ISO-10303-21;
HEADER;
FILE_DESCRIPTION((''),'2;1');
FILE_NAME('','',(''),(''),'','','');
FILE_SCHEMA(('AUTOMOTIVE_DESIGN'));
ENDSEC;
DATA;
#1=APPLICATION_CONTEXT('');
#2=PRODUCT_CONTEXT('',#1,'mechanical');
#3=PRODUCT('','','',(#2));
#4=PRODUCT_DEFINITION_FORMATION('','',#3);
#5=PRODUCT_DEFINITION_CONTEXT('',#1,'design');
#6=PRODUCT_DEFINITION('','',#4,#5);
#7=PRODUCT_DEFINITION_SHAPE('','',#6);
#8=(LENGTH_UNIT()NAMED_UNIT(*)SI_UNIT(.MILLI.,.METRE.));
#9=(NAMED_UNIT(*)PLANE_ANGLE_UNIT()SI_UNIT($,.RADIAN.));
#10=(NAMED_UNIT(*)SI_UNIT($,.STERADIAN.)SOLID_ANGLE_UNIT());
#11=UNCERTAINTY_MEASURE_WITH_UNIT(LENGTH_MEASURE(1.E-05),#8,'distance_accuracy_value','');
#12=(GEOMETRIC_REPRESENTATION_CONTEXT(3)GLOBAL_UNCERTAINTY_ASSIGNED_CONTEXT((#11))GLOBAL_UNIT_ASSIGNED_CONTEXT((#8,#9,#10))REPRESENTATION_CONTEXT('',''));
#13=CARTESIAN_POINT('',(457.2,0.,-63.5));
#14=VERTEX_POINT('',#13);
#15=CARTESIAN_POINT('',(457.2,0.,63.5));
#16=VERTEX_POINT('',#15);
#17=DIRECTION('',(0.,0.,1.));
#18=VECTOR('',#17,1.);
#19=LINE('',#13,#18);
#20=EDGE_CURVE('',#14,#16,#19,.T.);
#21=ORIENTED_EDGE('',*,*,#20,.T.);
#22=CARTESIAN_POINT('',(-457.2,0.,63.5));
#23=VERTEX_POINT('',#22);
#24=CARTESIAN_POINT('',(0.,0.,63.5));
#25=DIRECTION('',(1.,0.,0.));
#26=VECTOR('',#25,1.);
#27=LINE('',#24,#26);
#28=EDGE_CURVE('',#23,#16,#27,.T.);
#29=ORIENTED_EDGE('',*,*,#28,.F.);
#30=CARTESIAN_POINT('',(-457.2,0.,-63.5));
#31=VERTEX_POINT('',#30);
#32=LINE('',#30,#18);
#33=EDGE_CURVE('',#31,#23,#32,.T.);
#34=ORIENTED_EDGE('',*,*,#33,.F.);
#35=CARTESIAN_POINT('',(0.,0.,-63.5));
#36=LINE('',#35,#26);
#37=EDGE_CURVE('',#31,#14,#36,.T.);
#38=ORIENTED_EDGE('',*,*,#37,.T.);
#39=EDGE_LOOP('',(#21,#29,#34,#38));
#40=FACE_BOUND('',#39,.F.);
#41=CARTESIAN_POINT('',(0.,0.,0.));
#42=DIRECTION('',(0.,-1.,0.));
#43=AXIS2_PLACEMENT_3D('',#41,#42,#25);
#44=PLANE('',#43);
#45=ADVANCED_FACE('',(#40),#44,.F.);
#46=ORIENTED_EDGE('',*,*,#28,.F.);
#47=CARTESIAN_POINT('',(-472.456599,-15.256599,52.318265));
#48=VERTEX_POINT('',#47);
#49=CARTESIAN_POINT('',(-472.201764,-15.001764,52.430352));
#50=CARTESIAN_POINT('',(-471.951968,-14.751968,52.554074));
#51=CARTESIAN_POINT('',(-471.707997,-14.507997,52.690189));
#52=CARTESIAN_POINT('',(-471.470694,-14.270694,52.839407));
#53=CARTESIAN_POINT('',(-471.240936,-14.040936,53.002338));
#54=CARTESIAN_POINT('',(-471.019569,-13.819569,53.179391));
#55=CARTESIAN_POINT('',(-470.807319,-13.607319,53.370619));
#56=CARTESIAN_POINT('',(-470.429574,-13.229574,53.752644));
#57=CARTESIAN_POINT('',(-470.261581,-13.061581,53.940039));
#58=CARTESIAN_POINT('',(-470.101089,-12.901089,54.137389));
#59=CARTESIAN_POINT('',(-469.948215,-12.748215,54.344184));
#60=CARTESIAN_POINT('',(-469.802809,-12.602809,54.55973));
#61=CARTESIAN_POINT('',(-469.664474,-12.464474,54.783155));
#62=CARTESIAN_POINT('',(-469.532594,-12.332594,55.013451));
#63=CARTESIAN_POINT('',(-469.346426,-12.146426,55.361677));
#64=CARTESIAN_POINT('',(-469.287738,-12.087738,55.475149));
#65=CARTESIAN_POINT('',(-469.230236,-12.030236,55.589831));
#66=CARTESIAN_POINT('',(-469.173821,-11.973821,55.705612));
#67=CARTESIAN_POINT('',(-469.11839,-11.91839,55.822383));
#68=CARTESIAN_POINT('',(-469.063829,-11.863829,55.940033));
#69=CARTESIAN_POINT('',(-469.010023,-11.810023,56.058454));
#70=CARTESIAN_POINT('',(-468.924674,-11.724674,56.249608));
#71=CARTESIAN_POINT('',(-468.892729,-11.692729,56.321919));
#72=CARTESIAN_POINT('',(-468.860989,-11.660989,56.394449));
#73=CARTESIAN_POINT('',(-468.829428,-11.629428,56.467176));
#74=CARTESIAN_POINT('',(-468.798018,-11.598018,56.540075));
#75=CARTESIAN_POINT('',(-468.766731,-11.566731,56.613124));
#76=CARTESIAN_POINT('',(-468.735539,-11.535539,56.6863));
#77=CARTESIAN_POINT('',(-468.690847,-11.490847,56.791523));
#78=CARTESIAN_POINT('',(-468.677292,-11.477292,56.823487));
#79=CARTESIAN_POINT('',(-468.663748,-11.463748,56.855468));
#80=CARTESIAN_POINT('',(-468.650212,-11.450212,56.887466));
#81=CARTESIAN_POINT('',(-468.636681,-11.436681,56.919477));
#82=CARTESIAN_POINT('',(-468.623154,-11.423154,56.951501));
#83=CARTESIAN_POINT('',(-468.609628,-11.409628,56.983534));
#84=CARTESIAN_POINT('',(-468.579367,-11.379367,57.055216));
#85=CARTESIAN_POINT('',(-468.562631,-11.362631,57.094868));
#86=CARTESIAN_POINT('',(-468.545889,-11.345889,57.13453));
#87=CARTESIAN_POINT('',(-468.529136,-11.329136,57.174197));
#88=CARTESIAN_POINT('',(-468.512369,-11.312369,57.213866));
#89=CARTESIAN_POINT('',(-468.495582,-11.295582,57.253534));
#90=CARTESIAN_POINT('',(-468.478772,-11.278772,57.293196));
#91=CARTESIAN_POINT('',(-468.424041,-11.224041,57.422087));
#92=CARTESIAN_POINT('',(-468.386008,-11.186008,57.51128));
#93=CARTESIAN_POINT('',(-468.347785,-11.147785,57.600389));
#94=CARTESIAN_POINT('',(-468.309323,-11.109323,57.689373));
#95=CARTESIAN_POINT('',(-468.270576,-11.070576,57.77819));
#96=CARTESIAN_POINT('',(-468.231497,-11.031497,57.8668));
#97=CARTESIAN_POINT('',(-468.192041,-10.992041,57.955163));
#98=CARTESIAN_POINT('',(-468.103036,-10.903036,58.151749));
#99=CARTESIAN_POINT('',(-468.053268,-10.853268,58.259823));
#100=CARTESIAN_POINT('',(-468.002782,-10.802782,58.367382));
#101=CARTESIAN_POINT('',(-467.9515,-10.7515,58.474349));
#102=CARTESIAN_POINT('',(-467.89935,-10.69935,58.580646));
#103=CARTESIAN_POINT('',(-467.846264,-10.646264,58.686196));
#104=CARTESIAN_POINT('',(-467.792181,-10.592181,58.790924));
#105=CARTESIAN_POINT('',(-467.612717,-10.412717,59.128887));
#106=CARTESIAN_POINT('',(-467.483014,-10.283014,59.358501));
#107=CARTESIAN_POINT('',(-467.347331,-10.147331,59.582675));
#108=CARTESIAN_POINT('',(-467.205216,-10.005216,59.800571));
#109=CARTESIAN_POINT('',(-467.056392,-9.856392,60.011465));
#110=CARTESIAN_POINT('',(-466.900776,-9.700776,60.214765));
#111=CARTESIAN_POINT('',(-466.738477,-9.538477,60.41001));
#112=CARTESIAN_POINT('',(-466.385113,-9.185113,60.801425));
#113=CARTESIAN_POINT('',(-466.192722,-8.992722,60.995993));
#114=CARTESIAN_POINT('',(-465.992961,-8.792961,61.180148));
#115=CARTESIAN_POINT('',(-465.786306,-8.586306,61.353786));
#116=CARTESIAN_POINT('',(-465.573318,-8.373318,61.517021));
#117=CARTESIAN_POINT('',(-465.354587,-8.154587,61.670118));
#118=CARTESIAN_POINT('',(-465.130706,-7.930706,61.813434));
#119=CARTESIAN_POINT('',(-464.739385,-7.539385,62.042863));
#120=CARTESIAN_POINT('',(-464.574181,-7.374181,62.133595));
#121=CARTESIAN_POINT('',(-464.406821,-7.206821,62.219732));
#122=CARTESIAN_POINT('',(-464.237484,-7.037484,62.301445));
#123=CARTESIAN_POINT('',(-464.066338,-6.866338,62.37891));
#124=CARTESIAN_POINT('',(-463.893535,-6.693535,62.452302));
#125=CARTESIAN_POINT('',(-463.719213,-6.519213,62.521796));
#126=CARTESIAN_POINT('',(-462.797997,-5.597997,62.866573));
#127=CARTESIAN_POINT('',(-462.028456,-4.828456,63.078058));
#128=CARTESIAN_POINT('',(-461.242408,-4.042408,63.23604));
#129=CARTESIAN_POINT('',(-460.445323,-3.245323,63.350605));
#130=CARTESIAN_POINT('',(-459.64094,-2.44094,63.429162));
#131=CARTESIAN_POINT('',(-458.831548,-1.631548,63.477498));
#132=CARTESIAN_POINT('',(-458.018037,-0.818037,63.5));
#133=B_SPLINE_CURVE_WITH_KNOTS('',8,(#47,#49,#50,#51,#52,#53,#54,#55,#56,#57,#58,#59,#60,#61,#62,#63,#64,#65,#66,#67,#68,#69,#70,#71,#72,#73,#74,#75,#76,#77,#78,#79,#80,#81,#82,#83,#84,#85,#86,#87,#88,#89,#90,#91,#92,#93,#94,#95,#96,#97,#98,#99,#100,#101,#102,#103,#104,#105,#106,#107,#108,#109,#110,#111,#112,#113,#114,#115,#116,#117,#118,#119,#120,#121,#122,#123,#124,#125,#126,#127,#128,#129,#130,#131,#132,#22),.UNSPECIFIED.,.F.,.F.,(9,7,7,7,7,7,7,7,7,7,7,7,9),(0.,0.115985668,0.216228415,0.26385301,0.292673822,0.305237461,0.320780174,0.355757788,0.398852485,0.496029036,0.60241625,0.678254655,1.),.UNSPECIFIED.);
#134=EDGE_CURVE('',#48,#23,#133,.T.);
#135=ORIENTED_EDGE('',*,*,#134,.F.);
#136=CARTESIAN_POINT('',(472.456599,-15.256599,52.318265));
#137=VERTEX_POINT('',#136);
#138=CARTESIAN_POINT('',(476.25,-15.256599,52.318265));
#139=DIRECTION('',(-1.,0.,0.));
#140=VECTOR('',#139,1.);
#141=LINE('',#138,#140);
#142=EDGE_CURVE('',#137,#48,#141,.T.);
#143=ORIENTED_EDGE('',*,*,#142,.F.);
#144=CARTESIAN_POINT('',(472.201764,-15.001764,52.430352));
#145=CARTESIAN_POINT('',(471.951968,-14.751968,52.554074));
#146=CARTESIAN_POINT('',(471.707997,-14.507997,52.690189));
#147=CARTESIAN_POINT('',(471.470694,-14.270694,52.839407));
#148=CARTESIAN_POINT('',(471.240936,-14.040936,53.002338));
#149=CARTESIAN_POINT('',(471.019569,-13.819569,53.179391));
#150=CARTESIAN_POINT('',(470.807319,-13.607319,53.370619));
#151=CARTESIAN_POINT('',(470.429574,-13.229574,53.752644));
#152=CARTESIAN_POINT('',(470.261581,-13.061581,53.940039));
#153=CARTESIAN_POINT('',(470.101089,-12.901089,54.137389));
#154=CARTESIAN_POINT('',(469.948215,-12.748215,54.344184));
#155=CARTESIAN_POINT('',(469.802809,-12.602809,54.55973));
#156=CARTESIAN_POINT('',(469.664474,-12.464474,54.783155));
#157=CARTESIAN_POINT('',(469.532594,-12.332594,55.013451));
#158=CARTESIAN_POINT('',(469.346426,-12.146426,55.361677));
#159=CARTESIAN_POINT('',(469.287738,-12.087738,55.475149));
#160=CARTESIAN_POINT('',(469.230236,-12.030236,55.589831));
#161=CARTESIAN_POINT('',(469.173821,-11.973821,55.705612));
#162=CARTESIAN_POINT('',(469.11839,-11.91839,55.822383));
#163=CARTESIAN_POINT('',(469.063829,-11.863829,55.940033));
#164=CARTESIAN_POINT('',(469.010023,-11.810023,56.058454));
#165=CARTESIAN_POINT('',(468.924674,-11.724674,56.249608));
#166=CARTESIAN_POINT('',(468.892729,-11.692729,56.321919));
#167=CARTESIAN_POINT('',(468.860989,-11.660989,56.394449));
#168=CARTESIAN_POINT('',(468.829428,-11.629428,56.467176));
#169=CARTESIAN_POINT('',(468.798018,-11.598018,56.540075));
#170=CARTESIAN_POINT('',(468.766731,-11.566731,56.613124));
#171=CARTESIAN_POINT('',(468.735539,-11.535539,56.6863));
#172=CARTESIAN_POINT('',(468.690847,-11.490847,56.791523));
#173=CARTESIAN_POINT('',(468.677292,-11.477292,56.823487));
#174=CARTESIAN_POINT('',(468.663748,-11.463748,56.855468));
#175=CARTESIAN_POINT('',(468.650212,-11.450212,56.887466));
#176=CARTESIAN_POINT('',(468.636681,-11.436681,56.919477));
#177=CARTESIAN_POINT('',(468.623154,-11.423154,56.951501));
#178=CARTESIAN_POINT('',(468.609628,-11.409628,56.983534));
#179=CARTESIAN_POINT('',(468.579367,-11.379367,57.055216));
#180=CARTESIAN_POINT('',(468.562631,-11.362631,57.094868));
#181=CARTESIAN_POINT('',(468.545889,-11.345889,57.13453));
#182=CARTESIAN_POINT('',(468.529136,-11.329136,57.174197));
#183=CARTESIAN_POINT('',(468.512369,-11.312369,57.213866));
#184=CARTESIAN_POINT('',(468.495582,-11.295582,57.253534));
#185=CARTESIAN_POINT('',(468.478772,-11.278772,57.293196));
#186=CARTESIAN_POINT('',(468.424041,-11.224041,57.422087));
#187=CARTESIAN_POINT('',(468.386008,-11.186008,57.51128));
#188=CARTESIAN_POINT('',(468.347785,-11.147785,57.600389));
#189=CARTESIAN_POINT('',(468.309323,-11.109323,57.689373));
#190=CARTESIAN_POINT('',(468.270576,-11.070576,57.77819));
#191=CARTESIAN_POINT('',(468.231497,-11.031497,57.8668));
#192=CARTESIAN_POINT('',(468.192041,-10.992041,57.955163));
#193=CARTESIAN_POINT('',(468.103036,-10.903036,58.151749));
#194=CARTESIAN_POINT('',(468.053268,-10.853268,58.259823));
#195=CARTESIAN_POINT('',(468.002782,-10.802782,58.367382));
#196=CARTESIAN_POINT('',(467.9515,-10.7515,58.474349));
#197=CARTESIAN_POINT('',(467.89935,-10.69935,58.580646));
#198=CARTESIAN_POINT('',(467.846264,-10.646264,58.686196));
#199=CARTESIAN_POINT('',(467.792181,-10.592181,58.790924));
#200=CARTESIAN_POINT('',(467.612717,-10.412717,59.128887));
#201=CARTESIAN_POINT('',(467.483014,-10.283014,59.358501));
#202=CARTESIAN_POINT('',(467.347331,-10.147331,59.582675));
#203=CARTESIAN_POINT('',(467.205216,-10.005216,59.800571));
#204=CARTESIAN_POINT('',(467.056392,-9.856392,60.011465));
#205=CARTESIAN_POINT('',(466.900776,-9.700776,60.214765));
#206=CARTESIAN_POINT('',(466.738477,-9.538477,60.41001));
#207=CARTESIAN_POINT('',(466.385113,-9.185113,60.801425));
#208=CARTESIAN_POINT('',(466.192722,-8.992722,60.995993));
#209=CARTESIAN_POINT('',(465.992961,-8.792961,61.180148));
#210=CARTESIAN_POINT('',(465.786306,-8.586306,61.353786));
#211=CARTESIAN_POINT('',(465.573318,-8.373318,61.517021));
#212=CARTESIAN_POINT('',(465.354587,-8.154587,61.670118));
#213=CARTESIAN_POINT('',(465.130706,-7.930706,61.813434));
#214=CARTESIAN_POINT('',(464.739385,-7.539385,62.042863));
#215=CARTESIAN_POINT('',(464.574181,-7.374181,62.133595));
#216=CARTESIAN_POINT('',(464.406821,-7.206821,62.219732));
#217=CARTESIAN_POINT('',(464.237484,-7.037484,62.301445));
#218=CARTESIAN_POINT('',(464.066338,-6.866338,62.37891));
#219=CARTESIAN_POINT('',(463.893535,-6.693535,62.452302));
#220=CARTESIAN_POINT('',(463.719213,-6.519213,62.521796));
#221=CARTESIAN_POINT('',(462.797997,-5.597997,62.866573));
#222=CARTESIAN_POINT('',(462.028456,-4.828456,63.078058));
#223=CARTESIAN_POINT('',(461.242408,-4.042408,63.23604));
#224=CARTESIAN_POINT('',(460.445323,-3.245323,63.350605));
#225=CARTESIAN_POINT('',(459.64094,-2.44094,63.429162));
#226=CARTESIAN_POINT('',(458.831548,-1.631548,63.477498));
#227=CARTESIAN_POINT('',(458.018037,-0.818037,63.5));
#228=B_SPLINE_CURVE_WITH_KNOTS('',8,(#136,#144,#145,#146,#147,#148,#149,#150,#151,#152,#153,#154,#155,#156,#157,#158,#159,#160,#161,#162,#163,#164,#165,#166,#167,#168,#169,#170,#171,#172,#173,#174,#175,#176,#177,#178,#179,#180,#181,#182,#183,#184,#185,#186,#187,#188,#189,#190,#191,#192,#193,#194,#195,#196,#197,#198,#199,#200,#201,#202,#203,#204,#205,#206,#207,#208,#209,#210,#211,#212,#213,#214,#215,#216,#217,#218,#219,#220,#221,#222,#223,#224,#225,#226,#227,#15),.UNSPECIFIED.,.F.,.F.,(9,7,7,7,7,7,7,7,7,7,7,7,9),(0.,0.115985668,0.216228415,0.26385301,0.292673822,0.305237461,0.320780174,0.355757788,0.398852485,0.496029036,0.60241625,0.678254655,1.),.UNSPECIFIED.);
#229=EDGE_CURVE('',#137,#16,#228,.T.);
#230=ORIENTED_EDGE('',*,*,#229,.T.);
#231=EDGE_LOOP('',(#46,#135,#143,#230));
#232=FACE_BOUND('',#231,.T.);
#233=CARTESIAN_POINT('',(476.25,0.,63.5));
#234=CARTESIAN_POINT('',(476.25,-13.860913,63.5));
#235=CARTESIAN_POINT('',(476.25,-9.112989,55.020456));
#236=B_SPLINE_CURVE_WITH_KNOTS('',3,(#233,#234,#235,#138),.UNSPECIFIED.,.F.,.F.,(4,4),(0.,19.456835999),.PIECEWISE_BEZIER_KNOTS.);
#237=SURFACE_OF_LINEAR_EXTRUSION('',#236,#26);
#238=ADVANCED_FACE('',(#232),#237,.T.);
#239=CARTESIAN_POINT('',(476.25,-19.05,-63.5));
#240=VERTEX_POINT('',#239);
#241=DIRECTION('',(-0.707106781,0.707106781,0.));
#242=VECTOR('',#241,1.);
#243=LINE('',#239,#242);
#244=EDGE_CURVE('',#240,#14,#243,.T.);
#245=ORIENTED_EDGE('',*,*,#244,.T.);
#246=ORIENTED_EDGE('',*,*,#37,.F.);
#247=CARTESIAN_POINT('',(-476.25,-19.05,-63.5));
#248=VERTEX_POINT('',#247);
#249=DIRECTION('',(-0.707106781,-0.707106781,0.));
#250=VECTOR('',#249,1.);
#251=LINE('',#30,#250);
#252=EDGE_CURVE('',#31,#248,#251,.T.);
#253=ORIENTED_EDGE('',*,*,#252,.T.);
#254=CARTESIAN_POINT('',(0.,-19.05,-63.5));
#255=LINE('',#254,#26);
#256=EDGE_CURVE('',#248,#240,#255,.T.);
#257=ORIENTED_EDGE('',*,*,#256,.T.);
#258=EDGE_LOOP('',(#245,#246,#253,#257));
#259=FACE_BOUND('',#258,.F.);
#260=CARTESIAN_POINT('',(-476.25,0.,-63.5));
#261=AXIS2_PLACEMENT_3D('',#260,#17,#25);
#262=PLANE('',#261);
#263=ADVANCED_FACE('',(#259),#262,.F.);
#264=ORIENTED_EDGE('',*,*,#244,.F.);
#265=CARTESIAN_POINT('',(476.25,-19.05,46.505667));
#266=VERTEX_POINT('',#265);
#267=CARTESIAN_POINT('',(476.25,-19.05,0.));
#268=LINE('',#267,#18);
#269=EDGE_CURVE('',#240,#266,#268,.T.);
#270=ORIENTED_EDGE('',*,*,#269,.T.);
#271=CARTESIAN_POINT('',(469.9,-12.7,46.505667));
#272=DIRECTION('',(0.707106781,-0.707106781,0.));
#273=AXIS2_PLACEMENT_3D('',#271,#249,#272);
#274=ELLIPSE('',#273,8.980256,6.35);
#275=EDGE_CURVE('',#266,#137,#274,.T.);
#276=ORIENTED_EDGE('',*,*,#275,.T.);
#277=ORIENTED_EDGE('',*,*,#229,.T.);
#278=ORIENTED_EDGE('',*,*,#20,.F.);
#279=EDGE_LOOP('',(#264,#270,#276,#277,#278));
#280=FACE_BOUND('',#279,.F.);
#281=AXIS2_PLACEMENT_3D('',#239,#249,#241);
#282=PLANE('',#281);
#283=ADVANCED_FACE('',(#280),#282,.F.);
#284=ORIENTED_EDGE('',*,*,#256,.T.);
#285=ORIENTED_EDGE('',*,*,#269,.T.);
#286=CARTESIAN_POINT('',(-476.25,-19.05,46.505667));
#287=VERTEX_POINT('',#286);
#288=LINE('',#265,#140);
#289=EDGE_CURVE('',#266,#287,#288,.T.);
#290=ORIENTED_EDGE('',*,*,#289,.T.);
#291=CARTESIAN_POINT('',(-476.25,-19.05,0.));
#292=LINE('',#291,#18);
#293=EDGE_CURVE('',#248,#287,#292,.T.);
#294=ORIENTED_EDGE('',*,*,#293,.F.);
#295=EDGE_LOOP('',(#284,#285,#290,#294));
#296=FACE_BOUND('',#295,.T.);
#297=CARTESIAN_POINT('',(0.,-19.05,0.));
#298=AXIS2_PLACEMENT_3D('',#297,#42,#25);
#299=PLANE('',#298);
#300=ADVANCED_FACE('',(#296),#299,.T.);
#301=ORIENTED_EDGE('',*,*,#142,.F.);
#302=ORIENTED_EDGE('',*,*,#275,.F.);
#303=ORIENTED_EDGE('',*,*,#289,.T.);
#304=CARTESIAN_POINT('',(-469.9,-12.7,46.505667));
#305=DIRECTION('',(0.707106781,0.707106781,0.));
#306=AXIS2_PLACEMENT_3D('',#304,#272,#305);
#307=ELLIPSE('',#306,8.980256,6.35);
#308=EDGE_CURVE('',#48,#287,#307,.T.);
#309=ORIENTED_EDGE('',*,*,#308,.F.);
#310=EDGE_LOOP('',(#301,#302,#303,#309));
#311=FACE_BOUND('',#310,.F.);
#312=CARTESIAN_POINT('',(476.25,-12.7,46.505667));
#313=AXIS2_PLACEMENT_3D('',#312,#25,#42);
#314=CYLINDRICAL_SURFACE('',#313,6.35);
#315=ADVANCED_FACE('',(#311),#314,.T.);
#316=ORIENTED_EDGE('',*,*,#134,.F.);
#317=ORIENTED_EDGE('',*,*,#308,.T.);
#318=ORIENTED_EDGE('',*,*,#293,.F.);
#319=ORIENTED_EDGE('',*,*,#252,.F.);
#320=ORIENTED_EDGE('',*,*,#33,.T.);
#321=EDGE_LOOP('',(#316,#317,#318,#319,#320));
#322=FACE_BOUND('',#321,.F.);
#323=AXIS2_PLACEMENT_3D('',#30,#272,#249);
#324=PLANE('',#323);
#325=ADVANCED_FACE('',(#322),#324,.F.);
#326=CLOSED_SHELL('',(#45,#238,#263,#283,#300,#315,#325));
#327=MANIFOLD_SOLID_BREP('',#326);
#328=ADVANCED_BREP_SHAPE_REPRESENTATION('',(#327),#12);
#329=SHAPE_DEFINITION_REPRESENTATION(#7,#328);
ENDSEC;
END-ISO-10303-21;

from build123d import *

# Parameters (mm, degrees)
F0_W     = 952.5
F0_H     = 127
F1_DEPTH = 19.05
F3_DEPTH = 952.501
F5_DEPTH = 127.0010001


with BuildPart() as f1:
    # F0 (on Front) → F1 (new body)
    with BuildSketch(Plane.XZ):
        Rectangle(F0_W, F0_H)
    extrude(amount=F1_DEPTH)

    # F2 (on face) → F3 (cut, through all)
    with BuildSketch(Plane.YZ.offset(476.25)):
        with BuildLine():
            add(Edge.make_bspline(
                [(0, 63.5), (-13.8609133718, 63.5), (-9.1129885479, 55.0204556119), (-15.256598862, 52.3182653746)],
                knots=[0, 0, 0, 0, 19.4568359991, 19.4568359991, 19.4568359991, 19.4568359991], degree=3))
            Line((0, 63.5), (-19.05, 63.5))
            Line((-19.05, 63.5), (-19.05, 51.528967917))
            add(Edge.make_bspline(
                [(-15.256598862, 52.3182653746), (-16.2172018341, 51.8957561593), (-17.4440793365, 51.6144907855), (-19.05, 51.528967917)],
                knots=[19.4568359991, 19.4568359991, 19.4568359991, 19.4568359991, 22.4990690726, 22.4990690726, 22.4990690726, 22.4990690726], degree=3))
        make_face()
        with BuildLine():
            ThreePointArc((-19.05, 46.505666794), (-18.0177487141, 49.976120455), (-15.256598862, 52.3182653746))
            add(Edge.make_bspline(
                [(-15.256598862, 52.3182653746), (-16.2172018341, 51.8957561593), (-17.4440793365, 51.6144907855), (-19.05, 51.528967917)],
                knots=[19.4568359991, 19.4568359991, 19.4568359991, 19.4568359991, 22.4990690726, 22.4990690726, 22.4990690726, 22.4990690726], degree=3))
            Line((-19.05, 51.528967917), (-19.05, 46.505666794))
        make_face()
    extrude(amount=-F3_DEPTH, mode=Mode.SUBTRACT)

    # F4 (on face) → F5 (cut, through all)
    with BuildSketch(Plane(origin=(0, 0, -63.5), x_dir=(1, 0, 0), z_dir=(0, 0, -1))):
        Polygon((-457.2, 0), (-476.25, 19.05), (-476.25, 0), align=None)
        Polygon((476.25, 19.05), (457.2, 0), (476.25, 0), align=None)
    extrude(amount=-F5_DEPTH, mode=Mode.SUBTRACT)


solid = f1.part
